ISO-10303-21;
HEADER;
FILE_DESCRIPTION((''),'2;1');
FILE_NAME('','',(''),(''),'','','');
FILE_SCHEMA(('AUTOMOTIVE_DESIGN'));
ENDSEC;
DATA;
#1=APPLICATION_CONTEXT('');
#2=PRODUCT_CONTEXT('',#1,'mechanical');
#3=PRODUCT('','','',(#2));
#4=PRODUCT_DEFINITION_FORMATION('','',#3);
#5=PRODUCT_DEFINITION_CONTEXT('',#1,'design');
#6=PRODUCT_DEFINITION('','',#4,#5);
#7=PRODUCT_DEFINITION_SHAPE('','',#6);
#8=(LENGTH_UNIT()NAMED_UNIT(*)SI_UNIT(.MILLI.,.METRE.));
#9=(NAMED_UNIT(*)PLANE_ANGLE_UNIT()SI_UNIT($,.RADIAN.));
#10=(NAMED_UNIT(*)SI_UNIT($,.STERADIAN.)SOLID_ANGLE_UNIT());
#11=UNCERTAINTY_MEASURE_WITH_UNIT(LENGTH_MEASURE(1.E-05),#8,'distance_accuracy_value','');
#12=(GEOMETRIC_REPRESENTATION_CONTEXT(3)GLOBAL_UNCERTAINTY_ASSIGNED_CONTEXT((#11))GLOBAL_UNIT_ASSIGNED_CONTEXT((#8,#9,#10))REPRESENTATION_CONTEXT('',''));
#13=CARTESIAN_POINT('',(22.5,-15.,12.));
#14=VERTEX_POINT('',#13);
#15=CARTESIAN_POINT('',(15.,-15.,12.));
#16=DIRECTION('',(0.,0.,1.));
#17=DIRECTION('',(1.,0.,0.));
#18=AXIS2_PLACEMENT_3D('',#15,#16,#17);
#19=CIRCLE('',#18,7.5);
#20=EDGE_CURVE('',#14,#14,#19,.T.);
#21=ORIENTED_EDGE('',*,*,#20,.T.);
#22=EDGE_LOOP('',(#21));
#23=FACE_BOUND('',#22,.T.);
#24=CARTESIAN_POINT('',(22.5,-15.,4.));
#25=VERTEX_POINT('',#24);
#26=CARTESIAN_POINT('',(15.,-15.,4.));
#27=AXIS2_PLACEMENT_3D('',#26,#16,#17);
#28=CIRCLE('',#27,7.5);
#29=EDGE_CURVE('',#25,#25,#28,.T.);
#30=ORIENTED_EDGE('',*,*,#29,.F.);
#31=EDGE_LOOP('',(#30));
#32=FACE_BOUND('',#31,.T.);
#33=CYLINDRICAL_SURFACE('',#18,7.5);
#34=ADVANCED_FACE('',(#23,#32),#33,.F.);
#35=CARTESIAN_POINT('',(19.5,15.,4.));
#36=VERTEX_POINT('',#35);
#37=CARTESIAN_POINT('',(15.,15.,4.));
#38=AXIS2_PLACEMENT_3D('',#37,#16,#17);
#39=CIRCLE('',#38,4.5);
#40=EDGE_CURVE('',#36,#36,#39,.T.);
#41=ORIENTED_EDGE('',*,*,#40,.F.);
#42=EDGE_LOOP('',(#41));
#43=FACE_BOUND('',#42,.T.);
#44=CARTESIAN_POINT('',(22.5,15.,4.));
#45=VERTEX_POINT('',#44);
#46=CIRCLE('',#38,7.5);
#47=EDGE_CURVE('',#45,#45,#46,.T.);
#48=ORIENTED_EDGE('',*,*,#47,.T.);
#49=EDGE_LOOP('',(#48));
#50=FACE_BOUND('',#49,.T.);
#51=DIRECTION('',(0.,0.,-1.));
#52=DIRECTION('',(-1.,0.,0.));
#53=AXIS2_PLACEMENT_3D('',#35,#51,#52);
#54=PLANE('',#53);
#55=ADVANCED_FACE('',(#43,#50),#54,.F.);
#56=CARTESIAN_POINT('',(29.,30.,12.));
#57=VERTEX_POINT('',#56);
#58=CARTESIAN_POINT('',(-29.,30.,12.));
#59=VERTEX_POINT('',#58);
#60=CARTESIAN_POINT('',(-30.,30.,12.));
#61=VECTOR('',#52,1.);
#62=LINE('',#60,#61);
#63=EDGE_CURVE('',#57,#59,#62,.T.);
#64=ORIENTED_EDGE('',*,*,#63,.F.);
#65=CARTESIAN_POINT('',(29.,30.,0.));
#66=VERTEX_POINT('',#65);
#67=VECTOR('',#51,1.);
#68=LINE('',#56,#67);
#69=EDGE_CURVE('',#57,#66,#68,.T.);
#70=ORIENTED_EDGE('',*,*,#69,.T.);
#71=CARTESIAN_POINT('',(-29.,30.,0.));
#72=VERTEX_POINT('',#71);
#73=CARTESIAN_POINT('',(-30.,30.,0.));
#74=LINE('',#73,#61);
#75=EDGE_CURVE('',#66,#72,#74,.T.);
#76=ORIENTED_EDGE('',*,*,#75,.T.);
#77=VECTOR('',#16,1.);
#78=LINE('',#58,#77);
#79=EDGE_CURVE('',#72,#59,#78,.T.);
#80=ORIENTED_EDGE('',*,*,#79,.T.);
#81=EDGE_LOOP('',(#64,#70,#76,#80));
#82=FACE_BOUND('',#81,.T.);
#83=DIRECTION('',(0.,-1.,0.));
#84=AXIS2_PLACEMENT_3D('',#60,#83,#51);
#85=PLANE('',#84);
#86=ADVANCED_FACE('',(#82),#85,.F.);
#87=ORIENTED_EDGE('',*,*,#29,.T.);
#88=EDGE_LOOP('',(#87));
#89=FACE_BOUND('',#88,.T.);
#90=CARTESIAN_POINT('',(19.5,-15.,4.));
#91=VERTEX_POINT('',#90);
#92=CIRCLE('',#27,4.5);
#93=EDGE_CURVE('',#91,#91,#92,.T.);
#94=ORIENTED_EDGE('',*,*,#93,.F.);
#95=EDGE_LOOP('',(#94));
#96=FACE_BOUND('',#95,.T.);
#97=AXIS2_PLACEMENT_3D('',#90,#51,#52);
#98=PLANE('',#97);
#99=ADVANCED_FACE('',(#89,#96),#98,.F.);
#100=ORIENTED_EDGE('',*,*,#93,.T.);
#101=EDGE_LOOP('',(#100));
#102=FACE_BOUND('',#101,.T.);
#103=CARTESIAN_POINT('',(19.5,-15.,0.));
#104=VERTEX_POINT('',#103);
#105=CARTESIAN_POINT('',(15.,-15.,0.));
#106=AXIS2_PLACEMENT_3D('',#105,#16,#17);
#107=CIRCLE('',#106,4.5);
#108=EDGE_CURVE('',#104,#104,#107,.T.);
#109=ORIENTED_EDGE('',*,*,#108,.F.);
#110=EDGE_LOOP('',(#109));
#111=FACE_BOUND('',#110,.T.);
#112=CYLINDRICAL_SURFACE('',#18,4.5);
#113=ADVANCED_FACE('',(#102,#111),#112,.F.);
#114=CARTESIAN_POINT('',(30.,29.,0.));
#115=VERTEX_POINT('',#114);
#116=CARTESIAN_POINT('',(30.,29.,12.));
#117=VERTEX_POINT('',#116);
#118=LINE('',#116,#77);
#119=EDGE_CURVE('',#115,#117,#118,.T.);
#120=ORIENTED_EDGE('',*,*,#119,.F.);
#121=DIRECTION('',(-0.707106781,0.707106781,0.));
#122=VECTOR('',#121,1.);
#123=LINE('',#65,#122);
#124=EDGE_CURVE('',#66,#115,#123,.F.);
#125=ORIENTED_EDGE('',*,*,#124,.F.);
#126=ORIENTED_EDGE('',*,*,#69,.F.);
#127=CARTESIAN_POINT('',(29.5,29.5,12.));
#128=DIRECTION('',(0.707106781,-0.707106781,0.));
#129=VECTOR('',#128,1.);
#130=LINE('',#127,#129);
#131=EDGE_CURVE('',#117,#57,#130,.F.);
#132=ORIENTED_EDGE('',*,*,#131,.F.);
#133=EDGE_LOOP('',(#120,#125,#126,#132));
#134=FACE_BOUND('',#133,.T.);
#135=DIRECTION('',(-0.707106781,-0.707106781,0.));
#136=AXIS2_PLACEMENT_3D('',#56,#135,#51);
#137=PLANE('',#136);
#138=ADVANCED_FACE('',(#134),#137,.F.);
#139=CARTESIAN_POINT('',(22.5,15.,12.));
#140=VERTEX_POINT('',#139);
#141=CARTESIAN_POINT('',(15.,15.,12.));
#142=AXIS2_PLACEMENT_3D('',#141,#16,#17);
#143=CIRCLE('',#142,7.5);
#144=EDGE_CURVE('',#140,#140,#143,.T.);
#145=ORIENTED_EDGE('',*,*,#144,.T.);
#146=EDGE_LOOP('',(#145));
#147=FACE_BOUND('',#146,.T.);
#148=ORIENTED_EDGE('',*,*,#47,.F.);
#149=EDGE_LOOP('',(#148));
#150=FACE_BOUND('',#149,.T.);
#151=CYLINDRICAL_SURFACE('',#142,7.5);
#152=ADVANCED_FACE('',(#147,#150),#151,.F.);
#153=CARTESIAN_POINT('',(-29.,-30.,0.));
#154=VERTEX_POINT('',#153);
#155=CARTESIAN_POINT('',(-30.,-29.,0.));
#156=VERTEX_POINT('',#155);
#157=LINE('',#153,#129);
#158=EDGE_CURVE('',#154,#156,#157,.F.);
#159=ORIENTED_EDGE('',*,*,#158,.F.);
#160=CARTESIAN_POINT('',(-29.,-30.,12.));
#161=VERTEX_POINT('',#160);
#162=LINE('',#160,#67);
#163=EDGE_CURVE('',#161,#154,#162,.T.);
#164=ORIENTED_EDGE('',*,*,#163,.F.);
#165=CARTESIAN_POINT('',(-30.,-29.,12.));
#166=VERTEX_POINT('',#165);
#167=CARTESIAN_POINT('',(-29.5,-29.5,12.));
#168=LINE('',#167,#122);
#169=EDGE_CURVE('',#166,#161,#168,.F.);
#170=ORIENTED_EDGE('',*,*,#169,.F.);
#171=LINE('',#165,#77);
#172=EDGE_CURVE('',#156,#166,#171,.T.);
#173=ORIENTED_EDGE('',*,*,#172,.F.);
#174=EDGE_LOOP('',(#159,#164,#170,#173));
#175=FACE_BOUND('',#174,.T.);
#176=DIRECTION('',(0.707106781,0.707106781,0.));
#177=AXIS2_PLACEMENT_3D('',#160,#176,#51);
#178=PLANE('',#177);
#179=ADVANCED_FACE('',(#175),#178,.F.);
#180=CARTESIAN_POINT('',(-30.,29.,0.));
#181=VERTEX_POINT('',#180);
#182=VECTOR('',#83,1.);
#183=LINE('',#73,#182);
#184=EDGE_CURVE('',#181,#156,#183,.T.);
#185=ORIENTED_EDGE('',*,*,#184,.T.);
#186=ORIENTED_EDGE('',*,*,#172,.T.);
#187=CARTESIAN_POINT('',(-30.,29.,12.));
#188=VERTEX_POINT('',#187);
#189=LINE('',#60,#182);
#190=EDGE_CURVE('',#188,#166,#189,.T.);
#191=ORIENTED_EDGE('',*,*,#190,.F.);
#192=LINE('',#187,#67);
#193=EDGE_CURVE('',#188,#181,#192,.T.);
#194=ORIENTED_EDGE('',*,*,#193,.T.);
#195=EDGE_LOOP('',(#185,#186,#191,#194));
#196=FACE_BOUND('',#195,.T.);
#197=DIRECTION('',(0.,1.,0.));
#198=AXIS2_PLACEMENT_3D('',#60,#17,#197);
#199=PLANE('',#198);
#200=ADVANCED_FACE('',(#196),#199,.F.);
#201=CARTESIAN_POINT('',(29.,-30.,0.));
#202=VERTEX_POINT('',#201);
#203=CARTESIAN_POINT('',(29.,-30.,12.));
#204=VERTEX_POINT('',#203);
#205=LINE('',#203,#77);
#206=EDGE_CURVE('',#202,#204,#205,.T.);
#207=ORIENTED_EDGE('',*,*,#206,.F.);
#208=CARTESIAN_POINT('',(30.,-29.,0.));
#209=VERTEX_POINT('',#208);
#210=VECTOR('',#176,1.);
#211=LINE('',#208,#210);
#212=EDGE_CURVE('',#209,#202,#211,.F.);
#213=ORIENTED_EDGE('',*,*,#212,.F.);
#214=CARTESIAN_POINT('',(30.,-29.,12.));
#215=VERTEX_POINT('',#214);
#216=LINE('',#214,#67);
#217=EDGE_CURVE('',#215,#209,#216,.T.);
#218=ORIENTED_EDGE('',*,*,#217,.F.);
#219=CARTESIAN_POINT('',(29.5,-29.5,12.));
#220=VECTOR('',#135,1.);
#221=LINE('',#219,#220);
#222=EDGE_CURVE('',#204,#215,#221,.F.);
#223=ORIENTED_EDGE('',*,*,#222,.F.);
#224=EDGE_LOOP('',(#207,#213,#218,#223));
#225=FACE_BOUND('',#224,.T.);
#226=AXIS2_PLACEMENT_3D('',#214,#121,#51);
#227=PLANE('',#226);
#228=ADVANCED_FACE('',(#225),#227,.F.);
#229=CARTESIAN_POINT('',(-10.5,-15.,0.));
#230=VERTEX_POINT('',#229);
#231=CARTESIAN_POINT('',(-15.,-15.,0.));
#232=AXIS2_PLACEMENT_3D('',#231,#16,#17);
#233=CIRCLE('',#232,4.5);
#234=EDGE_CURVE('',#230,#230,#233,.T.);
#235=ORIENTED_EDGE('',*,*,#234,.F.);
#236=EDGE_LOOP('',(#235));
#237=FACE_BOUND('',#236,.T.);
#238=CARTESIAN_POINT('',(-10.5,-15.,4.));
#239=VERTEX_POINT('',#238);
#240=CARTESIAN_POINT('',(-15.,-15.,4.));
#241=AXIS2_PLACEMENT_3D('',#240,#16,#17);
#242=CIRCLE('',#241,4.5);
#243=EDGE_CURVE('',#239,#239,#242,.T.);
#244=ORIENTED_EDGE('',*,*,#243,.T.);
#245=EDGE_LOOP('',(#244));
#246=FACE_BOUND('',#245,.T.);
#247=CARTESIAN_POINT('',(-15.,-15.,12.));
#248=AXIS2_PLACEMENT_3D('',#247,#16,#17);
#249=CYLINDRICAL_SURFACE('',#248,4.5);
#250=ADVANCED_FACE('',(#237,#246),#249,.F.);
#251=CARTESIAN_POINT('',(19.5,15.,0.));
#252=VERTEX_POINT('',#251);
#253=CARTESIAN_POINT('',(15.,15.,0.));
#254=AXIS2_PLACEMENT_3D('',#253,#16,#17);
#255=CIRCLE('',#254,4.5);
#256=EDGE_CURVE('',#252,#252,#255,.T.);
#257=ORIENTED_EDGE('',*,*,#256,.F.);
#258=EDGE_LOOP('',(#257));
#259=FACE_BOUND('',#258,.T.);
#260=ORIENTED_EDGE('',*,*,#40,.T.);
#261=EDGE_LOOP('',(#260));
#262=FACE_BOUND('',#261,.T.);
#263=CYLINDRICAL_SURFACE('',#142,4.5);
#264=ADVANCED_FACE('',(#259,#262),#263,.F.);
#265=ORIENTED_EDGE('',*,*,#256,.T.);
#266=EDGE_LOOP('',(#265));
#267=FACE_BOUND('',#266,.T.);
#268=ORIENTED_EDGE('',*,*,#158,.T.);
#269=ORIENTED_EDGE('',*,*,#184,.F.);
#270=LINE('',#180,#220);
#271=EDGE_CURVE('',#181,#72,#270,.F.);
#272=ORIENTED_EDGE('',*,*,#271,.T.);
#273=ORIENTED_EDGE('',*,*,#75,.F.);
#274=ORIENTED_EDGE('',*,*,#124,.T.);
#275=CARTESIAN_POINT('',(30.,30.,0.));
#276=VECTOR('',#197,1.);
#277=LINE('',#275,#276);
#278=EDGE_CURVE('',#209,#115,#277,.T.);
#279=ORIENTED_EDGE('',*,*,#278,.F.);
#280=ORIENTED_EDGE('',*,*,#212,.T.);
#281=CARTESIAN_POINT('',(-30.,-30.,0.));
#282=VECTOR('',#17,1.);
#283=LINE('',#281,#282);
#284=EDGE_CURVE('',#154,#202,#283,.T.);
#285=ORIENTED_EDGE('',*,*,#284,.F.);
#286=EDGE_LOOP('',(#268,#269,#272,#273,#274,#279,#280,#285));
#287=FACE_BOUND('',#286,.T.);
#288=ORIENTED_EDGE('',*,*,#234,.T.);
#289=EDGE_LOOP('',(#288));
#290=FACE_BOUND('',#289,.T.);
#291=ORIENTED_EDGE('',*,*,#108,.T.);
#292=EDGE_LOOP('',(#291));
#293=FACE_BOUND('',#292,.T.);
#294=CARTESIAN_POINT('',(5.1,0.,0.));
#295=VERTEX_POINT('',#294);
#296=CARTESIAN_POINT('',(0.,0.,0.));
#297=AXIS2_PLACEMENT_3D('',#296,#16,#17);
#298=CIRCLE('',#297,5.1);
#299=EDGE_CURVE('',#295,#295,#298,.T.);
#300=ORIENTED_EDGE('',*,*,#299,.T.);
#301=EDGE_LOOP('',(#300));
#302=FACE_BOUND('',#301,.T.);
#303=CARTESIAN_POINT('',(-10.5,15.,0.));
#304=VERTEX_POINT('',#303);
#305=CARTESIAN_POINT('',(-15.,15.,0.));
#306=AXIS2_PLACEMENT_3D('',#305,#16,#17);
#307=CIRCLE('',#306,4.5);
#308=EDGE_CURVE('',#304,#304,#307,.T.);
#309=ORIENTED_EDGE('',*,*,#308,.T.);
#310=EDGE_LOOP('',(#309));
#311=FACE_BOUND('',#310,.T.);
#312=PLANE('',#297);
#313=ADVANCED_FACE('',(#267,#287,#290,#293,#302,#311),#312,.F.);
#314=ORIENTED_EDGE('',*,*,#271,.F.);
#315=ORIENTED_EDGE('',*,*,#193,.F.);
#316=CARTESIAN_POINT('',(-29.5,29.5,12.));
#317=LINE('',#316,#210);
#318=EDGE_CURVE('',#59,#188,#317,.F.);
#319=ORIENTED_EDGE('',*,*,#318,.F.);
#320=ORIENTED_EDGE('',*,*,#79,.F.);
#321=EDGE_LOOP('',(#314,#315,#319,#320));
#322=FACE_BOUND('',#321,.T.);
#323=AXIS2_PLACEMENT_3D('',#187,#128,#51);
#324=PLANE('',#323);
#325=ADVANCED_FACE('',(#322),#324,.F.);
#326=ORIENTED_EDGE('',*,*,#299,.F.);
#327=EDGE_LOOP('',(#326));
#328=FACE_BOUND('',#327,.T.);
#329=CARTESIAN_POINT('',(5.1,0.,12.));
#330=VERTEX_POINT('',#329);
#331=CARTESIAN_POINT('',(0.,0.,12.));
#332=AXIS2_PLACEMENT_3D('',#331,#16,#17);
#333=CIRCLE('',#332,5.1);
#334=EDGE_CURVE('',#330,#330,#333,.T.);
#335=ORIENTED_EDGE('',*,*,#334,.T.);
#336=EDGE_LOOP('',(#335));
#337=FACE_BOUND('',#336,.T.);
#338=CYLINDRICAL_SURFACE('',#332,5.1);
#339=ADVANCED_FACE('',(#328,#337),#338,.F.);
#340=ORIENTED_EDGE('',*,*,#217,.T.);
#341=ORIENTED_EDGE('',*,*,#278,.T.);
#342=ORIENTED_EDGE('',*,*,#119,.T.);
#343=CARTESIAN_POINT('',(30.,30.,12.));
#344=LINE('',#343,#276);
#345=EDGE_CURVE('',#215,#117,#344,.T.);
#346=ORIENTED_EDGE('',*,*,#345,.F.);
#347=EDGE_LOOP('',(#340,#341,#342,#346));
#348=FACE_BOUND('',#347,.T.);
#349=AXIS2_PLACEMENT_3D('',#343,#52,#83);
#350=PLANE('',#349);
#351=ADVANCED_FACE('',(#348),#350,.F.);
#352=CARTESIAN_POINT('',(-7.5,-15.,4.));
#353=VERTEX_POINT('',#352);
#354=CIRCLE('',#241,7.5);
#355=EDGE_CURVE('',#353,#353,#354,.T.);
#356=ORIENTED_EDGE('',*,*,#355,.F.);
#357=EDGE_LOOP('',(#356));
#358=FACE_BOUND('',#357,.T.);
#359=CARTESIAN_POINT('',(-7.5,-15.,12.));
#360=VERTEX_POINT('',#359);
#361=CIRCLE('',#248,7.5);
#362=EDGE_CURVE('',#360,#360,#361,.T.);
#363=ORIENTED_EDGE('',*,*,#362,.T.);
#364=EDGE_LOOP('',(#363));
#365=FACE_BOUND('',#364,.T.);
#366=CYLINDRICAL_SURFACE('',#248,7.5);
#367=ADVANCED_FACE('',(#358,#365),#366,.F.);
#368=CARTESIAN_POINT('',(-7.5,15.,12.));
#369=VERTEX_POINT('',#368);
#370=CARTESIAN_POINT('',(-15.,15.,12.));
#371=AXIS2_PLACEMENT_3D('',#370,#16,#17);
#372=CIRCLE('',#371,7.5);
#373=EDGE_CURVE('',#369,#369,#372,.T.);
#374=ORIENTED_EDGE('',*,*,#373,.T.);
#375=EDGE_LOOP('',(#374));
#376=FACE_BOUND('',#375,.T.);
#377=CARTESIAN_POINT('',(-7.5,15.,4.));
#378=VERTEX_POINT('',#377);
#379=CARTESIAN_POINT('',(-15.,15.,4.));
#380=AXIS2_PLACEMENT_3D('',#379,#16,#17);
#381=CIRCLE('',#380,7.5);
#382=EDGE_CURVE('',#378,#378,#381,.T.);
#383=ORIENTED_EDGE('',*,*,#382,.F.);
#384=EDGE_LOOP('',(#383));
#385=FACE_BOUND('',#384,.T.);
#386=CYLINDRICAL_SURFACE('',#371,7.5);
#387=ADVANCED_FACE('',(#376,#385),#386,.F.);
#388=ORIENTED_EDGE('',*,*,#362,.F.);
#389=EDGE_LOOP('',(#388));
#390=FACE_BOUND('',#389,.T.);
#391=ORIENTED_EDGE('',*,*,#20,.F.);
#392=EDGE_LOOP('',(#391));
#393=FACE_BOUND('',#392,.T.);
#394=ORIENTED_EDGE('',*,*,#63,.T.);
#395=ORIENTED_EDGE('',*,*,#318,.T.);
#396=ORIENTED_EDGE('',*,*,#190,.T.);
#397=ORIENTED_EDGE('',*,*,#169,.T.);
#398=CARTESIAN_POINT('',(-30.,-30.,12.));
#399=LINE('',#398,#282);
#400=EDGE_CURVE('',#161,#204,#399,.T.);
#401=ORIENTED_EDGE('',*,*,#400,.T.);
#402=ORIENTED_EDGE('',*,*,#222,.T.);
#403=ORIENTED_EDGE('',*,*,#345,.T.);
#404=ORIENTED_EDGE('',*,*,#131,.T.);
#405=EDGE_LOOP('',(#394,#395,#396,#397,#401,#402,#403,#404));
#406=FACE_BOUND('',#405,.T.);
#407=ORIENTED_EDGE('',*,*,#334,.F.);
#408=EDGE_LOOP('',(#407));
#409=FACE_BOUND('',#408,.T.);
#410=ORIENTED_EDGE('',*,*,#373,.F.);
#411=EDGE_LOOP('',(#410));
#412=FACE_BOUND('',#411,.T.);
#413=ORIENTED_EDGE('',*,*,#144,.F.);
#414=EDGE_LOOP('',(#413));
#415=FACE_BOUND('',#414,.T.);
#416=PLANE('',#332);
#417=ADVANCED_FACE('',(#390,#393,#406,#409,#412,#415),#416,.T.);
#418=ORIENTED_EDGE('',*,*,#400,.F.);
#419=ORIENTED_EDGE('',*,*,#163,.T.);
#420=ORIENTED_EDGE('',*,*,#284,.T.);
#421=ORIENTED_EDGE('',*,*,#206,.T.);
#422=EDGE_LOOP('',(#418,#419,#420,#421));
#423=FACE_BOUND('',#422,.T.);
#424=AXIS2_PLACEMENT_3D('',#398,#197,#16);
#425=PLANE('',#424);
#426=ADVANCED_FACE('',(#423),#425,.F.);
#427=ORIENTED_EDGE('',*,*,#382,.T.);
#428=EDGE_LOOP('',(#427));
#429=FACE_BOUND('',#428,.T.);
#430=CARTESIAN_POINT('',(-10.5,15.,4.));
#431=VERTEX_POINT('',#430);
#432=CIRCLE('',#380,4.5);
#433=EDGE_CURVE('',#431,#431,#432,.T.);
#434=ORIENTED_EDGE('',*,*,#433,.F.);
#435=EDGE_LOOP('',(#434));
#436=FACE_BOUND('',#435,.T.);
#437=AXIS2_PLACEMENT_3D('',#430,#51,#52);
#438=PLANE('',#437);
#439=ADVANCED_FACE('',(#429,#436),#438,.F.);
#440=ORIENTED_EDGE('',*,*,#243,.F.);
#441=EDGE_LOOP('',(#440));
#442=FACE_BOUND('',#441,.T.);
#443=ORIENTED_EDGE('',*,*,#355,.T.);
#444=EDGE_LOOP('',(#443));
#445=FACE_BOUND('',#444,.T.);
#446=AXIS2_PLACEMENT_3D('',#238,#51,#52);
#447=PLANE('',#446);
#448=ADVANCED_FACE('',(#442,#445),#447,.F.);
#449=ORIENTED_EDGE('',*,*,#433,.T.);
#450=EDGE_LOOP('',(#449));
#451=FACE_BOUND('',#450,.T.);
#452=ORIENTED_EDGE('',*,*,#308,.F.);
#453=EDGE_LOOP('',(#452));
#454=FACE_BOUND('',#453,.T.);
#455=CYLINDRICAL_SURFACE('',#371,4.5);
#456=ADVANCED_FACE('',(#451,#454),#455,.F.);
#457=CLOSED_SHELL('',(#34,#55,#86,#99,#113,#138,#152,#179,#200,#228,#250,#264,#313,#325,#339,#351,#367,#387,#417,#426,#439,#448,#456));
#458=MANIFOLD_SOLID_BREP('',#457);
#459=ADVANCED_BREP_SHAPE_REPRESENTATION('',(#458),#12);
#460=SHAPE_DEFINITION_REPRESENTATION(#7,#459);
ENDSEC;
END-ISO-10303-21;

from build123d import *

# Parameters (mm, degrees)
SKETCH1_W                      = 60
SKETCH1_H                      = 60
BOSS_EXTRUDE1_DEPTH            = 12
M12X1_75_TAPPED_HOLE1_D        = 10.2
CBORE_FOR_M8_SHCS1_D           = 9
CBORE_FOR_M8_SHCS1_CBORE_D     = 15
CBORE_FOR_M8_SHCS1_CBORE_DEPTH = 8
CHAMFER1_SIZE                  = 1


with BuildPart() as part:
    # Sketch1 → Boss-Extrude1 (new body)
    with BuildSketch(Plane.XY):
        Rectangle(SKETCH1_W, SKETCH1_H)
    extrude(amount=BOSS_EXTRUDE1_DEPTH)

    # M12x1.75 Tapped Hole1 (through all)
    with Locations(Plane.XY.offset(12)):
        with Locations((0, 0)):
            Hole(M12X1_75_TAPPED_HOLE1_D / 2)

    # CBORE for M8 SHCS1 (through all)
    with Locations(Plane.XY.offset(12)):
        with Locations((-15, 15), (15, 15), (15, -15), (-15, -15)):
            CounterBoreHole(CBORE_FOR_M8_SHCS1_D / 2, CBORE_FOR_M8_SHCS1_CBORE_D / 2, CBORE_FOR_M8_SHCS1_CBORE_DEPTH)

    # Chamfer1
    chamfer1_edges = [part.edges().sort_by_distance(p)[0] for p in [
        (30, -30, 6),
        (-30, -30, 6),
        (-30, 30, 6),
        (30, 30, 6),
    ]]
    chamfer(chamfer1_edges, length=CHAMFER1_SIZE)


solid = part.part
